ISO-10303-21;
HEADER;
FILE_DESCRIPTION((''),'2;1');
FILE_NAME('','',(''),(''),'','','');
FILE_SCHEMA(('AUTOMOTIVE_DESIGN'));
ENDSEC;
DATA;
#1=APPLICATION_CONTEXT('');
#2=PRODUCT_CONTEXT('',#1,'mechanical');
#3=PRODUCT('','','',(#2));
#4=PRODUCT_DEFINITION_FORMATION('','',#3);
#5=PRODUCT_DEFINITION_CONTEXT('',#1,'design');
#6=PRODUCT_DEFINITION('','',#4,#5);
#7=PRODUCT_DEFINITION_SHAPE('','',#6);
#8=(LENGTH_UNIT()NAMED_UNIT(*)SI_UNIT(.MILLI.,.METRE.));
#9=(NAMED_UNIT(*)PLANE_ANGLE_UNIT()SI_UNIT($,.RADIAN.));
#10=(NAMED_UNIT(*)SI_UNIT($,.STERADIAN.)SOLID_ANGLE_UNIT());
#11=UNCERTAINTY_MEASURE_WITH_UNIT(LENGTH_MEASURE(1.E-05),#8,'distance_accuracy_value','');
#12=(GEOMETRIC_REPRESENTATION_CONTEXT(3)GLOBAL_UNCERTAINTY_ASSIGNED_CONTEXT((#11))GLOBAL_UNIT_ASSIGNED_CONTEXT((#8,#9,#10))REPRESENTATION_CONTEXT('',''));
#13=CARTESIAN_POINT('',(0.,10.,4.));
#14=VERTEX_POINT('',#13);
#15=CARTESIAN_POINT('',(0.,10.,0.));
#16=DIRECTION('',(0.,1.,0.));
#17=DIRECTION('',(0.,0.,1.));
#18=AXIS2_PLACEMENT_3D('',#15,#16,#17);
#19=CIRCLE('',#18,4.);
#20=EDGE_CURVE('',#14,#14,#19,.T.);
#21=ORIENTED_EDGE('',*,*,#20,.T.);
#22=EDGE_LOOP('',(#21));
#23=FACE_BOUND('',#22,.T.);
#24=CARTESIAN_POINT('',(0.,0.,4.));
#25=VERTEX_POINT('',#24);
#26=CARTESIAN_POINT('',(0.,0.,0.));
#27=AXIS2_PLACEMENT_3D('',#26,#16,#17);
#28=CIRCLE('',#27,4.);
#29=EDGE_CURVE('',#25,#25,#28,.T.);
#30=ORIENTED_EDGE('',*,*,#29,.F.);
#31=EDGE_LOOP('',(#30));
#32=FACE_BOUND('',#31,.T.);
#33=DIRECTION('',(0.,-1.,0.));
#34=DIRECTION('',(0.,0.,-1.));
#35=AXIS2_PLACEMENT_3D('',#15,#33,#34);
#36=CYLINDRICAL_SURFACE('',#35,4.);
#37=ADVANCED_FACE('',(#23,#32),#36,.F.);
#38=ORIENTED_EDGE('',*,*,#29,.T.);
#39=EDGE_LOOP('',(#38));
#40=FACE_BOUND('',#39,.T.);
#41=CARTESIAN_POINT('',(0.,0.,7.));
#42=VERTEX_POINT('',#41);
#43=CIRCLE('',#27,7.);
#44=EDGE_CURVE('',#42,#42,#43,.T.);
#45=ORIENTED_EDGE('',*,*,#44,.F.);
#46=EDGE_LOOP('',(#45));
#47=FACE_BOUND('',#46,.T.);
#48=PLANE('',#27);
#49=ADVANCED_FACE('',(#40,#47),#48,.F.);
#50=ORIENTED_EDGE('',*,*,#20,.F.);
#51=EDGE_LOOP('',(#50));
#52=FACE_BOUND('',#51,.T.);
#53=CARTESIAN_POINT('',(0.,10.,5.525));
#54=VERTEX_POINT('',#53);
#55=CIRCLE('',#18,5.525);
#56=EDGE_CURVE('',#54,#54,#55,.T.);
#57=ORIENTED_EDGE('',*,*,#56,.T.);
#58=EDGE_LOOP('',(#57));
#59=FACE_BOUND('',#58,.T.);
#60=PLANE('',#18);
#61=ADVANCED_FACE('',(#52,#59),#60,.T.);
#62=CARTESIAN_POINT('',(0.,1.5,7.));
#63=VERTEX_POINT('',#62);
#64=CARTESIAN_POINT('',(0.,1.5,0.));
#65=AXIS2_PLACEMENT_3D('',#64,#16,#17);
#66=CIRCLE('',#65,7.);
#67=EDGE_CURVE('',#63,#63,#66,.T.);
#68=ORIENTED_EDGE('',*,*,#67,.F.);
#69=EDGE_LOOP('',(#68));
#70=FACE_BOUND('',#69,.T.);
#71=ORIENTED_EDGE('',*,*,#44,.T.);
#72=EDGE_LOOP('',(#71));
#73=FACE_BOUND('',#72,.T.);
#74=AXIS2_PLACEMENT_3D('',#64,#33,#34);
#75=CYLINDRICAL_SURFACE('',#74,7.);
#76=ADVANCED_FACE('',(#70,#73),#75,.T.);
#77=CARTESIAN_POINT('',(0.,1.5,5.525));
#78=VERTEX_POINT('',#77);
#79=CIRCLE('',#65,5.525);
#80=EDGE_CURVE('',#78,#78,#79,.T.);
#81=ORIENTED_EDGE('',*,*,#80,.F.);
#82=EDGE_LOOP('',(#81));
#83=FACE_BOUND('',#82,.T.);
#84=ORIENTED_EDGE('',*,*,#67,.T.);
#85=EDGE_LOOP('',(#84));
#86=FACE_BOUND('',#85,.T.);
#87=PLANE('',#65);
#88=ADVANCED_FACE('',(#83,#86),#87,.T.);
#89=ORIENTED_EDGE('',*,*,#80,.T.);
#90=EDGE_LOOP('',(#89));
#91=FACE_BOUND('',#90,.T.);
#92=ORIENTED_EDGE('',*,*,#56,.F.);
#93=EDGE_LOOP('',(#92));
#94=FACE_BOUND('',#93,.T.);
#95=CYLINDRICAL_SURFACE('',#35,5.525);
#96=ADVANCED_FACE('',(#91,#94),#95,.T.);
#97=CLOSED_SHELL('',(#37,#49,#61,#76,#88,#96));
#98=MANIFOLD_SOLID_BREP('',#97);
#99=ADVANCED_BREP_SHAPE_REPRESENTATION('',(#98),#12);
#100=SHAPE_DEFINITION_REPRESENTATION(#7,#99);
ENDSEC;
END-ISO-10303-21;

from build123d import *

# Parameters (mm, degrees)
SKETCH2_R           = 5.525
SKETCH2_R_2         = 4
BOSS_EXTRUDE1_DEPTH = 10
SKETCH3_R           = 7
SKETCH3_R_2         = 5.525
BOSS_EXTRUDE2_DEPTH = 1.5


with BuildPart() as part:
    # Sketch2 → Boss-Extrude1 (new body)
    with BuildSketch(Plane(origin=(0, 0, 0), x_dir=(1, 0, 0), z_dir=(0, 1, 0))):
        Circle(SKETCH2_R)
        Circle(SKETCH2_R_2, mode=Mode.SUBTRACT)
    extrude(amount=BOSS_EXTRUDE1_DEPTH)

    # Sketch3 → Boss-Extrude2 (add)
    with BuildSketch(Plane(origin=(0, 0, 0), x_dir=(1, 0, 0), z_dir=(0, 1, 0))):
        Circle(SKETCH3_R)
        Circle(SKETCH3_R_2, mode=Mode.SUBTRACT)
    extrude(amount=BOSS_EXTRUDE2_DEPTH)


solid = part.part
